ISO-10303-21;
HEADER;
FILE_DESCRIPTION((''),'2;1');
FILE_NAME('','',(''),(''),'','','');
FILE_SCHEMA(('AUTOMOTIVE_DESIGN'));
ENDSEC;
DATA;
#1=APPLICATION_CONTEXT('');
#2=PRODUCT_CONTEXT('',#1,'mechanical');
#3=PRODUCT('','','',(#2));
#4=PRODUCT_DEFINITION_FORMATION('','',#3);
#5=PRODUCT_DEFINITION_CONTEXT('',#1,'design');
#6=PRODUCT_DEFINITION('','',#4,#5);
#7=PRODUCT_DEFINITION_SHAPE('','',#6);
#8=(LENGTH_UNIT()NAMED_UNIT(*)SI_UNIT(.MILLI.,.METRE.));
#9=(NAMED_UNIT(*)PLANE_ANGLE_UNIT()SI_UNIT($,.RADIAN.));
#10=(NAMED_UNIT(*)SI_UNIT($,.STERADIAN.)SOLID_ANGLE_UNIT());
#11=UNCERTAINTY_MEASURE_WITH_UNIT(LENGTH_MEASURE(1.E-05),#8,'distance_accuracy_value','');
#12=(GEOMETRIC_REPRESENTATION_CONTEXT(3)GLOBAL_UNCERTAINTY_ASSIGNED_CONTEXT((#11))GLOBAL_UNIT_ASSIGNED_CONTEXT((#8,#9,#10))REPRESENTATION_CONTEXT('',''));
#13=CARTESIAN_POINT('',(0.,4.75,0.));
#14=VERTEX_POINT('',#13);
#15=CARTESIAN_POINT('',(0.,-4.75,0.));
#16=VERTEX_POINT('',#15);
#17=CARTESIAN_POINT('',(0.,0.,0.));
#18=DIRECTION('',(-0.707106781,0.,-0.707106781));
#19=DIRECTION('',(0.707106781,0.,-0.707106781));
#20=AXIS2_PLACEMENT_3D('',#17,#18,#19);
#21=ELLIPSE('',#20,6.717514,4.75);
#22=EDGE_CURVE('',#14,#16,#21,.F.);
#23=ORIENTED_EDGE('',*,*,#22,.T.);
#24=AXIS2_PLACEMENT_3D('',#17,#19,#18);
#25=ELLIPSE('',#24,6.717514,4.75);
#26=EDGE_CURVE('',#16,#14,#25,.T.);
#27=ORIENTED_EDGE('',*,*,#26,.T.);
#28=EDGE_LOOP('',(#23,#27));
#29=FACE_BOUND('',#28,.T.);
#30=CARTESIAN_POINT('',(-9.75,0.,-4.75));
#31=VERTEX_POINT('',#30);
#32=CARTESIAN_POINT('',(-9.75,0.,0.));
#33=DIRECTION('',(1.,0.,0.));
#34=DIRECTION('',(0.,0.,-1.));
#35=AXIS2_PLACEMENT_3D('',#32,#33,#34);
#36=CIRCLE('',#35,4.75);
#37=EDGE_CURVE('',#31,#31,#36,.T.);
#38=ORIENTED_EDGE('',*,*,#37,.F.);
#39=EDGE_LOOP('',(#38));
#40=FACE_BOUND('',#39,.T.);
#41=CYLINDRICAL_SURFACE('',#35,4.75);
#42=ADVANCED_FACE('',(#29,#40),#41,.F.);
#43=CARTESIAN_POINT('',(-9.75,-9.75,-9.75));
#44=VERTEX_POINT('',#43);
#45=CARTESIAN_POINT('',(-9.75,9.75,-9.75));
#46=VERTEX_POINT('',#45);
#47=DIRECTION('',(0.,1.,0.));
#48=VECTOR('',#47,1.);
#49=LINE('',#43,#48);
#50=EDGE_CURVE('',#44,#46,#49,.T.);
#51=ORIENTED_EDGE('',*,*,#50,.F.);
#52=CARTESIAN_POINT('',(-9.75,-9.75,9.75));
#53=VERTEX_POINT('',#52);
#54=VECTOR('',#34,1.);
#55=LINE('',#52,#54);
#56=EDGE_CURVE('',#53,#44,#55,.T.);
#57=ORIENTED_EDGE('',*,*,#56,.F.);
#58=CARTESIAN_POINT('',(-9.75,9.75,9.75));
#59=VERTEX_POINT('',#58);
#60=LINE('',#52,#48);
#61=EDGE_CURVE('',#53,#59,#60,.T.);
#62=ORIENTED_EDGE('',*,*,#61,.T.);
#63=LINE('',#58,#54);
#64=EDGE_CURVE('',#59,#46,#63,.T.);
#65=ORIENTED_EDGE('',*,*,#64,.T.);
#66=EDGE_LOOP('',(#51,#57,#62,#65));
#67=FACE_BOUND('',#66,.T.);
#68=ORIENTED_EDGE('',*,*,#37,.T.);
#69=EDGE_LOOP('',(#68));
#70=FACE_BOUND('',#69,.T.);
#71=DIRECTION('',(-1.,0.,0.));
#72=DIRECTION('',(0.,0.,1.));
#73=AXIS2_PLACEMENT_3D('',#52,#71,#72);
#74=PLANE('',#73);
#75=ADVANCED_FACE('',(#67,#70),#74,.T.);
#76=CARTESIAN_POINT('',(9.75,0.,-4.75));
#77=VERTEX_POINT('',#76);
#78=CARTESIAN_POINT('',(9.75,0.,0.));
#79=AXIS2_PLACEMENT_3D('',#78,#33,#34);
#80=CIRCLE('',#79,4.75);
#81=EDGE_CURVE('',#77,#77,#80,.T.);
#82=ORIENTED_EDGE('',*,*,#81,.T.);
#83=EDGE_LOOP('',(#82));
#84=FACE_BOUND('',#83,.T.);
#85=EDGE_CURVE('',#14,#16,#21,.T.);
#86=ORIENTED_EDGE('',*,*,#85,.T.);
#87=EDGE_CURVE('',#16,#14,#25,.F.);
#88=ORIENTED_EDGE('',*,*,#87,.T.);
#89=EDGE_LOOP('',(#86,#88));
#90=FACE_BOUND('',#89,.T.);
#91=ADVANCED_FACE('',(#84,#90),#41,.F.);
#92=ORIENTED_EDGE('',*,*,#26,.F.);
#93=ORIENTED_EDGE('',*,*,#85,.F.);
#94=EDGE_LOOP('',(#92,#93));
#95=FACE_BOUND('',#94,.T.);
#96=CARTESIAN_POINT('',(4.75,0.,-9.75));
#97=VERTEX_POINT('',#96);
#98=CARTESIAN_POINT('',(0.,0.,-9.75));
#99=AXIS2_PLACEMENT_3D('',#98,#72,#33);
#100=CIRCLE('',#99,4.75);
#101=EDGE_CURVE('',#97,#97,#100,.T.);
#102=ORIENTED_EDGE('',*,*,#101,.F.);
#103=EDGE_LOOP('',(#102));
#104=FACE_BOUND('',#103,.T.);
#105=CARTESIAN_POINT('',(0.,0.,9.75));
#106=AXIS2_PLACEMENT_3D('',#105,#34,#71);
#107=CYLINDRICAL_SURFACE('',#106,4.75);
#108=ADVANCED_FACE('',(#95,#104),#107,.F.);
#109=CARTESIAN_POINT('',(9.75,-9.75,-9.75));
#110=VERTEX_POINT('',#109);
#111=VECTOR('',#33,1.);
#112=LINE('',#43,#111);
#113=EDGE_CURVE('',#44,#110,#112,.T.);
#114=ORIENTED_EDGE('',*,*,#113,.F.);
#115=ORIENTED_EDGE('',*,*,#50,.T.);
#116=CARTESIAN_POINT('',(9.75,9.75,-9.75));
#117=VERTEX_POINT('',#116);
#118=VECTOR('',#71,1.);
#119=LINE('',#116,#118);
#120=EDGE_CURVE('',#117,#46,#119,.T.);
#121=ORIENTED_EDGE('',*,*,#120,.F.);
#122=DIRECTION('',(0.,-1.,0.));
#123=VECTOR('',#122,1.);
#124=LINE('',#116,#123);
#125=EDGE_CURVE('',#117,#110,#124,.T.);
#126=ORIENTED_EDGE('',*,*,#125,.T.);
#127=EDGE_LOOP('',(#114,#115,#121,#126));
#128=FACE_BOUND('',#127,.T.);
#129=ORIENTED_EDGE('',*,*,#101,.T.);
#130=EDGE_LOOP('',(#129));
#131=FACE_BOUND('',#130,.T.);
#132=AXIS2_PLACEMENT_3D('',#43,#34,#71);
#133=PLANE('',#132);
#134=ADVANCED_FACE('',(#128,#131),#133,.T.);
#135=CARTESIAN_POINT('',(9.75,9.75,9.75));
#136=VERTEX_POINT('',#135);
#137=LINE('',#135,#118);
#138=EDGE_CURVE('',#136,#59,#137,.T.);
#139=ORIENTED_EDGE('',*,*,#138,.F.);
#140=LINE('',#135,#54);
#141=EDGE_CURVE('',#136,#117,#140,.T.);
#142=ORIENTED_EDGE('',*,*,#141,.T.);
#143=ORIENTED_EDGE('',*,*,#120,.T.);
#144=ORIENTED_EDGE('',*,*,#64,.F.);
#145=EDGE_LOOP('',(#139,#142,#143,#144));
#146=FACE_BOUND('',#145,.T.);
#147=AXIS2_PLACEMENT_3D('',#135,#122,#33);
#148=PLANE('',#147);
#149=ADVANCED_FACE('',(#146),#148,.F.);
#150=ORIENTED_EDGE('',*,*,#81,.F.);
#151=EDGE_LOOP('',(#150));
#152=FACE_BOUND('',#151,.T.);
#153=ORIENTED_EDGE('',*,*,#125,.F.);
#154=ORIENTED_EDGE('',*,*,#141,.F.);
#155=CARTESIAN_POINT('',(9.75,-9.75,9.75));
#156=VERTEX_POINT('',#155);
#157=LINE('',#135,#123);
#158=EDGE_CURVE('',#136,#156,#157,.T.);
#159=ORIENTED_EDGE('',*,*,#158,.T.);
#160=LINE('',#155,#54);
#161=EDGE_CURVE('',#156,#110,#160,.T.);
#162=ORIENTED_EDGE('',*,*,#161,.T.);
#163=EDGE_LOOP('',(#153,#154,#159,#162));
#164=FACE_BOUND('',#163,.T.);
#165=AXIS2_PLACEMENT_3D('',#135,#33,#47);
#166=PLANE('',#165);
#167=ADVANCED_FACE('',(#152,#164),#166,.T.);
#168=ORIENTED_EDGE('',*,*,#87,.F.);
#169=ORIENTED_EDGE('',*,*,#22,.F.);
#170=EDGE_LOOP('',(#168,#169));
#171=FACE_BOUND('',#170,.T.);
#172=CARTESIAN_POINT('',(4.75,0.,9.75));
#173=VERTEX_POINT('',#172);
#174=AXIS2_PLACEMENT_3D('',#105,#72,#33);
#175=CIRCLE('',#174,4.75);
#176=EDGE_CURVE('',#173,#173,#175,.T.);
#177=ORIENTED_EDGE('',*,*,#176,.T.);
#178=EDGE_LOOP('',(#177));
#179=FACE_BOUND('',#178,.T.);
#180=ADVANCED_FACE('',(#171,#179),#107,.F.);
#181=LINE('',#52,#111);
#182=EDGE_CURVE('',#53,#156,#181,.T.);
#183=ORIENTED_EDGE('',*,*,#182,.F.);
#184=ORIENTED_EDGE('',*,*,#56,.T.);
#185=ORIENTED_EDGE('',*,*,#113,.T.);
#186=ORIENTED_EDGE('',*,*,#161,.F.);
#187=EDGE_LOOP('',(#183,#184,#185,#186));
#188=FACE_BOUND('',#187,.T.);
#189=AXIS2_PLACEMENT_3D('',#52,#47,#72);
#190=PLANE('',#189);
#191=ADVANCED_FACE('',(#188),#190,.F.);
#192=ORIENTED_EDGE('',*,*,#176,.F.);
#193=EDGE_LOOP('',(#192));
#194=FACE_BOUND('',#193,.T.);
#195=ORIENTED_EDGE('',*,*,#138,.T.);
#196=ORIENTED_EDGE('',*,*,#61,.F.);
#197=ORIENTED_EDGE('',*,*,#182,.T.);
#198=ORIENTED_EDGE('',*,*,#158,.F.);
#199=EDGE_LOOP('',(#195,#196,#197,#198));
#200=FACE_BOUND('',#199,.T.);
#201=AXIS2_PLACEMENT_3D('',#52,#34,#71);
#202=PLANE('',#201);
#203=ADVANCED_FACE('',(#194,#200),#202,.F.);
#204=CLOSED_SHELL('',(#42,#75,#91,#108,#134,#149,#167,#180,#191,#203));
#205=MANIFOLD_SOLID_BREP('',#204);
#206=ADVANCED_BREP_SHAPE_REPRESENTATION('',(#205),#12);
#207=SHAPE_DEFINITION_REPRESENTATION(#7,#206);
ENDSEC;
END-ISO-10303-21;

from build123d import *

# Parameters (mm, degrees)
SKETCH1_W          = 19.5
SKETCH1_H          = 19.5
SKETCH1_R          = 4.75
BASE_EXTRUDE_DEPTH = 9.75
SKETCH3_R          = 4.75
CUT_EXTRUDE1_DEPTH = 24.882524992


with BuildPart() as part:
    # Sketch1 → Base-Extrude (new, symmetric)
    with BuildSketch(Plane.XY):
        Rectangle(SKETCH1_W, SKETCH1_H)
        Circle(SKETCH1_R, mode=Mode.SUBTRACT)
    extrude(amount=BASE_EXTRUDE_DEPTH, both=True)

    # Sketch3 → Cut-Extrude1 (cut, through all)
    with BuildSketch(Plane(origin=(9.75, 0, 0), x_dir=(0, 0, -1), z_dir=(1, 0, 0))):
        Circle(SKETCH3_R)
    extrude(amount=-CUT_EXTRUDE1_DEPTH, mode=Mode.SUBTRACT)


solid = part.part
